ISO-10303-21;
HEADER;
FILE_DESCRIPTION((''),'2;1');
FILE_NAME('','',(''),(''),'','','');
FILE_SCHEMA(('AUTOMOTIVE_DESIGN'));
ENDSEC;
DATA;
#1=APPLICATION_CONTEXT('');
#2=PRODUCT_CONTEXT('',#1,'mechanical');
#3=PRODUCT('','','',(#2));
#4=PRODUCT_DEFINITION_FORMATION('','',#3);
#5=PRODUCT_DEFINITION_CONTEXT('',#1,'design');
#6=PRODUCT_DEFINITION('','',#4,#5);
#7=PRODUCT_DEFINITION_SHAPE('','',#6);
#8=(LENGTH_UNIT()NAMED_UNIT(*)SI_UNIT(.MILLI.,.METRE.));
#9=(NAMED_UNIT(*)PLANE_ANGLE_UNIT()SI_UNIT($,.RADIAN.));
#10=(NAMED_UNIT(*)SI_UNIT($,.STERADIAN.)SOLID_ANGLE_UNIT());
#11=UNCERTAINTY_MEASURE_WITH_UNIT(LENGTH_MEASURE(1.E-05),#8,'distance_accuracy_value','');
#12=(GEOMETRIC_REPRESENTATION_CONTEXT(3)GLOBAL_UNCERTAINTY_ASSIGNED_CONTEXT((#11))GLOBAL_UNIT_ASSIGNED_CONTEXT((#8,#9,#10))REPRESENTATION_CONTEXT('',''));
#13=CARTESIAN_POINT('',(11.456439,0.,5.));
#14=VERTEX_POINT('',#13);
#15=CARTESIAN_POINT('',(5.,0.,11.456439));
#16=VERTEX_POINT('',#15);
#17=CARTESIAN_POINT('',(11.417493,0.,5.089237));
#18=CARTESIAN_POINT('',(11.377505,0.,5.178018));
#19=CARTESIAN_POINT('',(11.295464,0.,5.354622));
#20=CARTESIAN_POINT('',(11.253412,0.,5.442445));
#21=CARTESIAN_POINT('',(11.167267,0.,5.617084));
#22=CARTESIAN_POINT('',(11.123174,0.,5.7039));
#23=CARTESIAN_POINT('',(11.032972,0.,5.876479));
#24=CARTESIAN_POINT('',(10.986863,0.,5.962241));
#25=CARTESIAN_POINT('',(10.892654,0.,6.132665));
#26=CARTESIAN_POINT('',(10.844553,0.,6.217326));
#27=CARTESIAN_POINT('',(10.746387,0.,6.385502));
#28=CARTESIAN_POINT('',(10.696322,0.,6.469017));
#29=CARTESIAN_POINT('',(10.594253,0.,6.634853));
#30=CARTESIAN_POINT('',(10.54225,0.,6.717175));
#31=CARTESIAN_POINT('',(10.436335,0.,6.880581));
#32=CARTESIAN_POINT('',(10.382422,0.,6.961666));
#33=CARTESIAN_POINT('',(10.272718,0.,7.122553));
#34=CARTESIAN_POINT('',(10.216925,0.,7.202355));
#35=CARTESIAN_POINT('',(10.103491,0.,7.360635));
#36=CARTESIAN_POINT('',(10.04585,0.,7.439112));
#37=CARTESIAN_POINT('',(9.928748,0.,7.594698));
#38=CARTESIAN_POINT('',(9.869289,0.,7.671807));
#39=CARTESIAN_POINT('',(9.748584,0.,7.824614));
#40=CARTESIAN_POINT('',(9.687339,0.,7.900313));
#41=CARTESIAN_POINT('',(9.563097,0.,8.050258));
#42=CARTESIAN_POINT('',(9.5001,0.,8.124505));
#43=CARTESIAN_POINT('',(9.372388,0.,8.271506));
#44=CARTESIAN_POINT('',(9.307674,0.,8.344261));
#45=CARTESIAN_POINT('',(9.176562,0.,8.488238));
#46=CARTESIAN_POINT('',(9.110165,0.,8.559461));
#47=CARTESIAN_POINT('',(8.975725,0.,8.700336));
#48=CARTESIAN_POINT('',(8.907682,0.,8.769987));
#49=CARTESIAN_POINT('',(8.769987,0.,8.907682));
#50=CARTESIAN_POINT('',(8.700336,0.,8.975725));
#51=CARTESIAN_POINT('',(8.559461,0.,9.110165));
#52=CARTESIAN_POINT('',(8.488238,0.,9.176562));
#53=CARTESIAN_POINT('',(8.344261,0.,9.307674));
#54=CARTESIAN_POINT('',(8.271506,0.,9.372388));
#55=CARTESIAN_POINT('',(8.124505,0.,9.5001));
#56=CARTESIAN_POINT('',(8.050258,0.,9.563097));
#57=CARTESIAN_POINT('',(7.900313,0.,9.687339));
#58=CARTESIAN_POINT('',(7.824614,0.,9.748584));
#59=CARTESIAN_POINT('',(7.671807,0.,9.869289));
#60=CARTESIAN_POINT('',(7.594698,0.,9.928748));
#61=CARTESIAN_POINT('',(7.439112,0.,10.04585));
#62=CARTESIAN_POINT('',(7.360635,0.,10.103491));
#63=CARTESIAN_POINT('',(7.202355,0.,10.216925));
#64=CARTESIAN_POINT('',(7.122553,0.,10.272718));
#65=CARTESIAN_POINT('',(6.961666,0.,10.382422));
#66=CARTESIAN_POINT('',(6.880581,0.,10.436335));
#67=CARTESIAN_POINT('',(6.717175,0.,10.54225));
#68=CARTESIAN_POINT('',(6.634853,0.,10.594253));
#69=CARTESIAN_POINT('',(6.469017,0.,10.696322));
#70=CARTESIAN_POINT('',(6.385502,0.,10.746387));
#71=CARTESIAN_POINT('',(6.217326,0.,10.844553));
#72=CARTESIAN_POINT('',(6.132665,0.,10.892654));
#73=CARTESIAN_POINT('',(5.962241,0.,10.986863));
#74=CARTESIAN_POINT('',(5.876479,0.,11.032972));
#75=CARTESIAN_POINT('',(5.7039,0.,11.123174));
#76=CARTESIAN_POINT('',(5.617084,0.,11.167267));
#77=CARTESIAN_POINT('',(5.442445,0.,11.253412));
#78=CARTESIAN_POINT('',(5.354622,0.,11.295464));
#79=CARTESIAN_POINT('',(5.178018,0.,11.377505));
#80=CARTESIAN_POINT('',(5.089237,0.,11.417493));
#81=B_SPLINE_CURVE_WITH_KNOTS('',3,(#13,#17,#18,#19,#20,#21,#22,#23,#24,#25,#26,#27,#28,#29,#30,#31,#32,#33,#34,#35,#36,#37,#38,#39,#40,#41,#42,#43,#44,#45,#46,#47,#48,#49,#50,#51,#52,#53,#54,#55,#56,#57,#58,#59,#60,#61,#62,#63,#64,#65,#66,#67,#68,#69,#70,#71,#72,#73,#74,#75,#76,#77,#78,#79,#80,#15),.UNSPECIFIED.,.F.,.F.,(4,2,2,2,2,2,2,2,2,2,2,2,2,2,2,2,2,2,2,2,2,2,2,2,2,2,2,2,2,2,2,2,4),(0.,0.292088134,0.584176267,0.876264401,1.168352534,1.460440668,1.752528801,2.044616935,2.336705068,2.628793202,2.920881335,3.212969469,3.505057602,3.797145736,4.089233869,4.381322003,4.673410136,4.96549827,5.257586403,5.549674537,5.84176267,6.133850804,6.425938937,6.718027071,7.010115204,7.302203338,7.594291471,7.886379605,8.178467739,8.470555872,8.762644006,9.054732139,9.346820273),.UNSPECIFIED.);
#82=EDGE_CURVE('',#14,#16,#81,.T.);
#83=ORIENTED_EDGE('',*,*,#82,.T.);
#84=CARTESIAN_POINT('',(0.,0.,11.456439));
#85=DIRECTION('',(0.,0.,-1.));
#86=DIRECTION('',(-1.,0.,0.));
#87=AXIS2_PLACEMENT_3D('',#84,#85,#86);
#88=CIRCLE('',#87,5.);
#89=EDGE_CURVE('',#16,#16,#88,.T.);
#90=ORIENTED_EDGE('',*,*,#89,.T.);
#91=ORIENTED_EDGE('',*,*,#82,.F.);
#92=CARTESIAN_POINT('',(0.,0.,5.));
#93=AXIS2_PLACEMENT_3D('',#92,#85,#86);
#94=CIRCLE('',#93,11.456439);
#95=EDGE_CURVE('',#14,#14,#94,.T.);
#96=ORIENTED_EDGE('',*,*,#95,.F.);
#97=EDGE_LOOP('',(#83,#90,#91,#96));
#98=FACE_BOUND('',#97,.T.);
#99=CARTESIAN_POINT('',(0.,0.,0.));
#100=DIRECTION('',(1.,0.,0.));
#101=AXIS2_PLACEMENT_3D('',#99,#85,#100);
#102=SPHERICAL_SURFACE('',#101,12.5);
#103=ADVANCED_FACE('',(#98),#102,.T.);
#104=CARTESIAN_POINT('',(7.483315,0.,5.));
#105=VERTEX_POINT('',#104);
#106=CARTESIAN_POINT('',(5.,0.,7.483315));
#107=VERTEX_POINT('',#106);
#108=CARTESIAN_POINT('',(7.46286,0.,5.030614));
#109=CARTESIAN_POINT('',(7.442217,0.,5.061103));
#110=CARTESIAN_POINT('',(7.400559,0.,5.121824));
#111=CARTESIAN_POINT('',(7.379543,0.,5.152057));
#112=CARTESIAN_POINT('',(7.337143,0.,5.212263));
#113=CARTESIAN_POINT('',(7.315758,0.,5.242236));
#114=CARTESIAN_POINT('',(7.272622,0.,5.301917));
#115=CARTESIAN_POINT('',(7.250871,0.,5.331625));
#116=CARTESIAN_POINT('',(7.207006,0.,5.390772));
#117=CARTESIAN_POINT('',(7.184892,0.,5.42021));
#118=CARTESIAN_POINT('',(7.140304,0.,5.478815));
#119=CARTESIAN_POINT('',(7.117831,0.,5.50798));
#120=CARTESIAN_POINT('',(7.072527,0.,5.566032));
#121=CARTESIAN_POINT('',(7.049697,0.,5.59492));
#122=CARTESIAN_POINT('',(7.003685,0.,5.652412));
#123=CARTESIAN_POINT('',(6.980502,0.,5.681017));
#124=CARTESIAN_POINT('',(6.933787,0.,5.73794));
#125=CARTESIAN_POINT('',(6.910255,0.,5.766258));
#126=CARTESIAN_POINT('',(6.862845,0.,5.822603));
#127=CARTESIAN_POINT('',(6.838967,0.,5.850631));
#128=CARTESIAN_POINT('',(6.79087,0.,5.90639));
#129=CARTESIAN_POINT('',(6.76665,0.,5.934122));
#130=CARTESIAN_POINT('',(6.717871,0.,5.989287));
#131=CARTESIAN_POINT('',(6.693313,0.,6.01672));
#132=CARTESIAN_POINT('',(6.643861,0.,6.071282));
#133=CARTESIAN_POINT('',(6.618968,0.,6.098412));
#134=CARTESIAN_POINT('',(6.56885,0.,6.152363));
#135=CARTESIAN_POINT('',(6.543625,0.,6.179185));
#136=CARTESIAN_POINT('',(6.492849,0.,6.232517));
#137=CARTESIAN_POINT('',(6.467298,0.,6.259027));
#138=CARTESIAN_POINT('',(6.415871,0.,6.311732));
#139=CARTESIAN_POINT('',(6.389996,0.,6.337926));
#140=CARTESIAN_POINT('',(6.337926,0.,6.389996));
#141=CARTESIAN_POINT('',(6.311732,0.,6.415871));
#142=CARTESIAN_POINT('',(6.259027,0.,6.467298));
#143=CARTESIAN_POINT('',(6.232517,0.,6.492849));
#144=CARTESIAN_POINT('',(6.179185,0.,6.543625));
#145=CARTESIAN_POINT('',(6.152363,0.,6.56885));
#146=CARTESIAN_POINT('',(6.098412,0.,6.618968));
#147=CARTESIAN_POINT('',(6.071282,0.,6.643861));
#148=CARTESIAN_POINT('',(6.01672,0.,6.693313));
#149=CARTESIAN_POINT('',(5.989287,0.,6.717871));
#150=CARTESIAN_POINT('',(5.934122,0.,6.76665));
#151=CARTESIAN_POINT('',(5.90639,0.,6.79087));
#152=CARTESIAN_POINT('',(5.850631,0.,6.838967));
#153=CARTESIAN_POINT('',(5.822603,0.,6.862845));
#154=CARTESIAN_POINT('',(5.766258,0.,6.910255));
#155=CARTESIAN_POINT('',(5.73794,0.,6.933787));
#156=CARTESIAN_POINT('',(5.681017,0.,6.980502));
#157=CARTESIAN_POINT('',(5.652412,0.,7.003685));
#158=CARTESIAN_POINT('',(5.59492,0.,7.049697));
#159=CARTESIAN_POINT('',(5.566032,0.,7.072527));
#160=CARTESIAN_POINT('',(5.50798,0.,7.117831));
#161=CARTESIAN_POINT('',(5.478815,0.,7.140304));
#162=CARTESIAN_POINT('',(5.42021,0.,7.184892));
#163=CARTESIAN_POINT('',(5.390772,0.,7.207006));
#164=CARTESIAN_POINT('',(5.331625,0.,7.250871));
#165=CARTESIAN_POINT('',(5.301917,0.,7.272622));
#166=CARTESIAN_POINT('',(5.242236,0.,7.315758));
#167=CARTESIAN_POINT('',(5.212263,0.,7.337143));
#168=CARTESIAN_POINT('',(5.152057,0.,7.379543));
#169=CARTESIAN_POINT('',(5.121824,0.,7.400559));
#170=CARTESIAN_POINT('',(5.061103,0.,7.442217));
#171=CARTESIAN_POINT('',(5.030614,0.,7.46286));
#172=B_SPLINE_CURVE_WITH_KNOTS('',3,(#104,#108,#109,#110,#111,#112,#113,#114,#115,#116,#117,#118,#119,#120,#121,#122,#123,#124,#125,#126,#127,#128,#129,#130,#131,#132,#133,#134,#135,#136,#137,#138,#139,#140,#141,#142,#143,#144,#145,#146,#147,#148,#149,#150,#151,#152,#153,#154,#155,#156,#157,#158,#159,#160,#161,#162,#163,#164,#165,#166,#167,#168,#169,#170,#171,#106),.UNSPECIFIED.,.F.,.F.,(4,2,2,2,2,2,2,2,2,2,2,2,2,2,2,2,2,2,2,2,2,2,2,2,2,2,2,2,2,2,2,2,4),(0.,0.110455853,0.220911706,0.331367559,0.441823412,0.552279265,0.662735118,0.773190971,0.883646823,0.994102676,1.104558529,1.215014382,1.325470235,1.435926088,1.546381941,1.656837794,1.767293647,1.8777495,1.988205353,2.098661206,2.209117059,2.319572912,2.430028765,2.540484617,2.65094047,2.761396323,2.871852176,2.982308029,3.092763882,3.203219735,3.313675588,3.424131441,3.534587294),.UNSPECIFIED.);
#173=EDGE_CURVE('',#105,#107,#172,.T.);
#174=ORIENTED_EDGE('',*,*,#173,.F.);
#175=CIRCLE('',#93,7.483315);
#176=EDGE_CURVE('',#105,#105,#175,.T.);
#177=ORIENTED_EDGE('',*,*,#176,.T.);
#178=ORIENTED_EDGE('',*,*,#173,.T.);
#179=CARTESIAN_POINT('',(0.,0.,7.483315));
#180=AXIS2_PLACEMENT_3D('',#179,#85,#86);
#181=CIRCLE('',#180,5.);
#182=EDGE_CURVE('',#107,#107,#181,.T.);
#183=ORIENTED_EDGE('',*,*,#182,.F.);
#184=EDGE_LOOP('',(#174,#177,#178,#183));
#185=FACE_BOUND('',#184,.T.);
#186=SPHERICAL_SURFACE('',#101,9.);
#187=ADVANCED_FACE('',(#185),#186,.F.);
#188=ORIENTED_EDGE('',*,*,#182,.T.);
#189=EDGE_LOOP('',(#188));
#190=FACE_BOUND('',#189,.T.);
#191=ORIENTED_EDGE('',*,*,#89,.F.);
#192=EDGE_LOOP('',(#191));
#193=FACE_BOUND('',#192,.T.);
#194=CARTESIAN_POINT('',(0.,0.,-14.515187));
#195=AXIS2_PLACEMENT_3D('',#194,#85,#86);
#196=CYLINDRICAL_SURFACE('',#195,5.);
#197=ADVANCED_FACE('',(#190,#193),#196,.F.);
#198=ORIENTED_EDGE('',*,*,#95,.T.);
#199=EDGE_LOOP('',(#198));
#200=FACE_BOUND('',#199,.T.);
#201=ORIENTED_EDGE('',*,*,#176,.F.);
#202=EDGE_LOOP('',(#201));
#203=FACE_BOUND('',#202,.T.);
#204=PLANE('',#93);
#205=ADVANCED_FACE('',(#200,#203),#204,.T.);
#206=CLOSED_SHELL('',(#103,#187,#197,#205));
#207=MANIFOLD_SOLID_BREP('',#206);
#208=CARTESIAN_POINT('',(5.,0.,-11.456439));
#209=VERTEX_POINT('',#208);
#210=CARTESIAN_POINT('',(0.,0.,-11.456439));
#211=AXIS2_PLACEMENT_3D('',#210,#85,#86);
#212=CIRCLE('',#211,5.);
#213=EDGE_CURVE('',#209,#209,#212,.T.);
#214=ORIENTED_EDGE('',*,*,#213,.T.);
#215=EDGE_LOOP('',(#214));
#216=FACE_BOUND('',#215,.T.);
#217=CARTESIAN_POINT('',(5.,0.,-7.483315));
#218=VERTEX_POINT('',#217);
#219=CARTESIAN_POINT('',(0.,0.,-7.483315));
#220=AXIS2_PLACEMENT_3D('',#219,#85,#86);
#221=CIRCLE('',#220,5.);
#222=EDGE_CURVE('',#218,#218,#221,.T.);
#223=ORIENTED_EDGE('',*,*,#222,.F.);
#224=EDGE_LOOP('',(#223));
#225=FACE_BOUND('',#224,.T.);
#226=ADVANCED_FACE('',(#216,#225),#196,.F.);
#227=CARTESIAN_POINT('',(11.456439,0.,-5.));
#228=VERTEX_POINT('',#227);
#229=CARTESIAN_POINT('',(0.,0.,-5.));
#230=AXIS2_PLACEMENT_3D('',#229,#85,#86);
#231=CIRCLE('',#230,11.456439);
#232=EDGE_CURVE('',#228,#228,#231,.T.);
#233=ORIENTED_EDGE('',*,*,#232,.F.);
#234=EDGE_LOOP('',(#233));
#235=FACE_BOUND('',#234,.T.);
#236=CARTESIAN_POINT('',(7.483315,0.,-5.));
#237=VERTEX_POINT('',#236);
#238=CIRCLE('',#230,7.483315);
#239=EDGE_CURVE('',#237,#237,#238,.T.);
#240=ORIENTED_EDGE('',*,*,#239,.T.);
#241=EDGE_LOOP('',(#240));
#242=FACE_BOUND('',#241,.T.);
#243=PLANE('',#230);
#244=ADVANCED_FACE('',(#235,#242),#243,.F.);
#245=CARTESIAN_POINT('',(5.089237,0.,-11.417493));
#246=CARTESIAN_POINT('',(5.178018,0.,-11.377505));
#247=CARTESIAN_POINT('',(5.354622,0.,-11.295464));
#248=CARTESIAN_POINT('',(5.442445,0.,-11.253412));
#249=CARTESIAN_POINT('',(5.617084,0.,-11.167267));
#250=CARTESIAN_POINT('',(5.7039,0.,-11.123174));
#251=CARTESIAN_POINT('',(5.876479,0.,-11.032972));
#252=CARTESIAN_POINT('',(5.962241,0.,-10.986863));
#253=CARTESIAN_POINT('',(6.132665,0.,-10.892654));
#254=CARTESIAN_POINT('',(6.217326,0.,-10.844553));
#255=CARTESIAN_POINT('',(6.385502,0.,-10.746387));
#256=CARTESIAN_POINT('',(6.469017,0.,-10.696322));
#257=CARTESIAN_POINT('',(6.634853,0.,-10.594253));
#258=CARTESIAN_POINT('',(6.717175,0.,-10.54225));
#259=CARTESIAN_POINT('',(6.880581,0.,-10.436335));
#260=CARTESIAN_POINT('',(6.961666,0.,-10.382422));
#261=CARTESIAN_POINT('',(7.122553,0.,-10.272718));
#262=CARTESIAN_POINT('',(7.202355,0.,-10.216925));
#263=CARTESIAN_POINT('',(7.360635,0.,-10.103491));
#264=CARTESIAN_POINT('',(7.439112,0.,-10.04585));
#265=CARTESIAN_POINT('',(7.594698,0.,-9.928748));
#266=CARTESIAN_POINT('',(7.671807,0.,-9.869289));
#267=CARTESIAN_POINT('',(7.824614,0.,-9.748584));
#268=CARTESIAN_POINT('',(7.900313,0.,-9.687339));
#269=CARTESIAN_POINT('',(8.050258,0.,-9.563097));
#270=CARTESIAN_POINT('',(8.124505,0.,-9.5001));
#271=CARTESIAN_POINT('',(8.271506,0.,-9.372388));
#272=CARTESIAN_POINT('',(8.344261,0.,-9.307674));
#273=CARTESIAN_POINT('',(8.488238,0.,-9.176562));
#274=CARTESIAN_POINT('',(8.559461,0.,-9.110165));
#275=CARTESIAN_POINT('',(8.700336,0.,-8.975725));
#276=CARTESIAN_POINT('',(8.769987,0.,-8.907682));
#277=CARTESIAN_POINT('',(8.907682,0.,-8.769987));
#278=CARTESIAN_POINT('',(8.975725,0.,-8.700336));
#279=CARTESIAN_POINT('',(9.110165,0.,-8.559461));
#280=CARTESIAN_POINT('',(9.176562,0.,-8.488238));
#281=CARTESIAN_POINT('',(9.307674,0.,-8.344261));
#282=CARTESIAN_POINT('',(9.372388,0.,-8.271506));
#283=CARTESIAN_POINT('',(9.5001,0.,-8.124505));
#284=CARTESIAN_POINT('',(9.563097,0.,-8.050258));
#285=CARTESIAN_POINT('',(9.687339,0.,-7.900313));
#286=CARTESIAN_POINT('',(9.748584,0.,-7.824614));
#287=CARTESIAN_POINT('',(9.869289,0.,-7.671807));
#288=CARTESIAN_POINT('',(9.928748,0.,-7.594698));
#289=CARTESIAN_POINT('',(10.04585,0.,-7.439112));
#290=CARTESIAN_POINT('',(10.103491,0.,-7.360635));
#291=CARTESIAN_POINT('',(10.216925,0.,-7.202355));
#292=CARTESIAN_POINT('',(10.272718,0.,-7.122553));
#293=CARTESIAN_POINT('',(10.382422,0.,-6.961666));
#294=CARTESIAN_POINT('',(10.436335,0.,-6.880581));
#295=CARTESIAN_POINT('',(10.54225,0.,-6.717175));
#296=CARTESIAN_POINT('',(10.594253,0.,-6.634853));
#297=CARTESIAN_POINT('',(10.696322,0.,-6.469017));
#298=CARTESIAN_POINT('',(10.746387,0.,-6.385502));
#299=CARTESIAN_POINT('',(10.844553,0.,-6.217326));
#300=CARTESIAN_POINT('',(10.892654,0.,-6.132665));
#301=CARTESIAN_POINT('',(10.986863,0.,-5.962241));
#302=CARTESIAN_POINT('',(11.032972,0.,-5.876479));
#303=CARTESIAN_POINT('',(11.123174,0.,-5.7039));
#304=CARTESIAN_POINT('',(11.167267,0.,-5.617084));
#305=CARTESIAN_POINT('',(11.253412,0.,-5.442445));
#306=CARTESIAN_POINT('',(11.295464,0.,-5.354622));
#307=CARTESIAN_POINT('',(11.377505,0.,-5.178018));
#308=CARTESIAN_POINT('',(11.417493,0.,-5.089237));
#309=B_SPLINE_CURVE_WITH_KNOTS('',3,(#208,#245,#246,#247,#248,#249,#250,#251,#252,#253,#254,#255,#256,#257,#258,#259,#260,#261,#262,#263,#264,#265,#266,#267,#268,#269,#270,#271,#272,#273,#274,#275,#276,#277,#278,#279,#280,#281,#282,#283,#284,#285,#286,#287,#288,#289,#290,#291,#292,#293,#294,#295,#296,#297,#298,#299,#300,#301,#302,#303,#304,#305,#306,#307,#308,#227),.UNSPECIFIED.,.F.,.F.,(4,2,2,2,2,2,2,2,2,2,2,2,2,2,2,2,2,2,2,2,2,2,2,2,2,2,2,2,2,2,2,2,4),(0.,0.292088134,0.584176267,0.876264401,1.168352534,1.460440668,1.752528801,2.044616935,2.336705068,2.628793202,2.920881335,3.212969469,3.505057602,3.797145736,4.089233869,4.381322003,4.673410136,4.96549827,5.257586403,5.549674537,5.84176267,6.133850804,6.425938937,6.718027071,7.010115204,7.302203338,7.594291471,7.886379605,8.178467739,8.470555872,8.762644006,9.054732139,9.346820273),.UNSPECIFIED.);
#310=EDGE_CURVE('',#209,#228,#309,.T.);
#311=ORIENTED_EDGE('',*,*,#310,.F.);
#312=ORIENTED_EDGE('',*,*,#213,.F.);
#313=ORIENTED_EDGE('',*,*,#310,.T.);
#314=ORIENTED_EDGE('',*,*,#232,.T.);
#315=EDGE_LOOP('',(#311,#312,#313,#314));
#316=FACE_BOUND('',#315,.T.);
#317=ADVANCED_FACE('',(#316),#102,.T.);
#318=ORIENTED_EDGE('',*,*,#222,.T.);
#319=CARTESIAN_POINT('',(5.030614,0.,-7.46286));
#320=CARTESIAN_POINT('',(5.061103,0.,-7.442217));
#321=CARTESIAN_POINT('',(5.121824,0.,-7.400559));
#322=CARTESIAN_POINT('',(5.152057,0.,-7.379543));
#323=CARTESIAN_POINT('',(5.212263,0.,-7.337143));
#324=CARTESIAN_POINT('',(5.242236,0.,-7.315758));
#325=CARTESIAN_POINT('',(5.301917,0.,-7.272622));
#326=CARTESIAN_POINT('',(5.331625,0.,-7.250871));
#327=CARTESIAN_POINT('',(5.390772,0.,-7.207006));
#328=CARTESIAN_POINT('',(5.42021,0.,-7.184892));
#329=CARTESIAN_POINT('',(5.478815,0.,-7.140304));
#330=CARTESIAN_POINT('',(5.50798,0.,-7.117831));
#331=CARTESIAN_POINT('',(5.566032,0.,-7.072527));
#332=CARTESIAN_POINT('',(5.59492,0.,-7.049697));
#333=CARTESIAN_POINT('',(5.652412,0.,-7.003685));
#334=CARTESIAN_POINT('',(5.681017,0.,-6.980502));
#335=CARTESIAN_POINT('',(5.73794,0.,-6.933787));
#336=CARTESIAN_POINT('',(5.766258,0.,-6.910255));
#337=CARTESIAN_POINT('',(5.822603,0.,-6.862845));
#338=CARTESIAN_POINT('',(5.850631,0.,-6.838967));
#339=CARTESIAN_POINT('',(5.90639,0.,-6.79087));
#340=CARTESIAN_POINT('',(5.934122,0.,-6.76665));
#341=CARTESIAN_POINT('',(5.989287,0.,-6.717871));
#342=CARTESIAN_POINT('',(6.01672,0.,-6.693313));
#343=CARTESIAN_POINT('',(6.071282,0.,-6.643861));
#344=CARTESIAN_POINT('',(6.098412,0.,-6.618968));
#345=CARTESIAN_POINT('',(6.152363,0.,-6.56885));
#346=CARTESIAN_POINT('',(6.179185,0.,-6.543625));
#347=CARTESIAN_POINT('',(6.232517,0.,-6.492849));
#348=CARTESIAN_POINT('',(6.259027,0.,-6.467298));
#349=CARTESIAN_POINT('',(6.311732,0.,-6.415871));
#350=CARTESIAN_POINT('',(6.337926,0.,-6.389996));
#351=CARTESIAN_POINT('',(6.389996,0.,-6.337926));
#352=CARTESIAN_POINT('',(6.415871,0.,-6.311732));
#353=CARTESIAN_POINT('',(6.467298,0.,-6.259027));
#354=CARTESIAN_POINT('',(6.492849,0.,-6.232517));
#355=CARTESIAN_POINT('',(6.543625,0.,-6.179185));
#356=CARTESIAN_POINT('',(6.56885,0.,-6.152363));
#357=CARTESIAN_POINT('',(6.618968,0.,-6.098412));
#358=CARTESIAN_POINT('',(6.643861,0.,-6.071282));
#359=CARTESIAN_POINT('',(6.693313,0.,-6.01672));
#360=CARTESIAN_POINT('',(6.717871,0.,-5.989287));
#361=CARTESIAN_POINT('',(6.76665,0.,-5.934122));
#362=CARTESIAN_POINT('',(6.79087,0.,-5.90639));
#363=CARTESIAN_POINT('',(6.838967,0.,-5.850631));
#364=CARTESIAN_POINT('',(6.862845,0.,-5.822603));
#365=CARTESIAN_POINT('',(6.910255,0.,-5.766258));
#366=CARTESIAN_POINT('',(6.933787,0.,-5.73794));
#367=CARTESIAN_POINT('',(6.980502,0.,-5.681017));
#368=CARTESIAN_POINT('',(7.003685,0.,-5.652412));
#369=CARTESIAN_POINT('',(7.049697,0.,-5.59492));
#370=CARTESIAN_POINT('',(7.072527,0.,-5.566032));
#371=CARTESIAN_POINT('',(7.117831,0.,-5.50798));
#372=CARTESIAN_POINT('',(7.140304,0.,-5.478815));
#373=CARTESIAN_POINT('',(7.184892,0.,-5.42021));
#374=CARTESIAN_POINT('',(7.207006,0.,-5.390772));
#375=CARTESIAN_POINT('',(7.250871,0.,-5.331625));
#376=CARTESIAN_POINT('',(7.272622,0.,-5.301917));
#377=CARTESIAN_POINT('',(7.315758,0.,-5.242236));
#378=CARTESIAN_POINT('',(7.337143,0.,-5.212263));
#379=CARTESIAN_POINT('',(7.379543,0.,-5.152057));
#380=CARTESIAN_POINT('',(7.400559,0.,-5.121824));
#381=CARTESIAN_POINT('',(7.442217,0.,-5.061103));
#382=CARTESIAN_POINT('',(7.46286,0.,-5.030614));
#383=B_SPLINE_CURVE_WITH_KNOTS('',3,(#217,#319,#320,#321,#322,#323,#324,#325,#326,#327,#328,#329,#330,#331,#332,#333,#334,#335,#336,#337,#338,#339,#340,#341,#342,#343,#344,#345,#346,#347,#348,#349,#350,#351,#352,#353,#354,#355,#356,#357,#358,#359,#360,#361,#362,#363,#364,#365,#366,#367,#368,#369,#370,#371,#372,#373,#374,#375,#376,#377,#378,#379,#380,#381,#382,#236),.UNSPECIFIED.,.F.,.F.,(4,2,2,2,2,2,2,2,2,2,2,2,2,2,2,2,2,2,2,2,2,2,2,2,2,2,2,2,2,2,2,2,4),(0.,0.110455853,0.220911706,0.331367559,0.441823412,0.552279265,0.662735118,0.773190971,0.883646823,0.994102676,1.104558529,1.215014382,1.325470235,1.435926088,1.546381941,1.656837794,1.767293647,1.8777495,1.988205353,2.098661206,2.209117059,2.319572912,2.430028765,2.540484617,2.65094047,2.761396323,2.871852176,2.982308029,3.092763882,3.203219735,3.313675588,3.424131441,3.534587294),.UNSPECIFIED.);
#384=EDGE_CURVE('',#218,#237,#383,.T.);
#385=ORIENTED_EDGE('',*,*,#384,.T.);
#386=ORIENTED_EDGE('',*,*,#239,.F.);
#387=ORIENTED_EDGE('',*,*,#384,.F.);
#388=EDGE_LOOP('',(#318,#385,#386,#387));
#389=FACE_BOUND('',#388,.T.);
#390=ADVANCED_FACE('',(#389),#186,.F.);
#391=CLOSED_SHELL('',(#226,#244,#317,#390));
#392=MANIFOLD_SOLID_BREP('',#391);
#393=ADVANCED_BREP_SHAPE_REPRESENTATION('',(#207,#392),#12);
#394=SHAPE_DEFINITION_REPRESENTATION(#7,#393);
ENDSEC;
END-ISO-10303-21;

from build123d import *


with BuildPart() as part:
    # Sketch1 → Revolve1 (revolve)
    with BuildSketch(Plane(origin=(0, 0, 0), x_dir=(1, 0, 0), z_dir=(0, 1, 0))):
        with BuildLine():
            ThreePointArc((5, -7.483314774), (6.363961031, -6.363961031), (7.483314774, -5))
            Line((7.483314774, -5), (11.456439237, -5))
            ThreePointArc((11.456439237, -5), (8.838834765, -8.838834765), (5, -11.456439237))
            Line((5, -11.456439237), (5, -7.483314774))
        make_face()
        with BuildLine():
            Line((7.483314774, 5), (11.456439237, 5))
            ThreePointArc((11.456439237, 5), (8.838834765, 8.838834765), (5, 11.456439237))
            Line((5, 11.456439237), (5, 7.483314774))
            ThreePointArc((5, 7.483314774), (6.363961031, 6.363961031), (7.483314774, 5))
        make_face()
    revolve(axis=Axis((0, 0, -14.515186916), (0, 0, 1)))


solid = part.part
